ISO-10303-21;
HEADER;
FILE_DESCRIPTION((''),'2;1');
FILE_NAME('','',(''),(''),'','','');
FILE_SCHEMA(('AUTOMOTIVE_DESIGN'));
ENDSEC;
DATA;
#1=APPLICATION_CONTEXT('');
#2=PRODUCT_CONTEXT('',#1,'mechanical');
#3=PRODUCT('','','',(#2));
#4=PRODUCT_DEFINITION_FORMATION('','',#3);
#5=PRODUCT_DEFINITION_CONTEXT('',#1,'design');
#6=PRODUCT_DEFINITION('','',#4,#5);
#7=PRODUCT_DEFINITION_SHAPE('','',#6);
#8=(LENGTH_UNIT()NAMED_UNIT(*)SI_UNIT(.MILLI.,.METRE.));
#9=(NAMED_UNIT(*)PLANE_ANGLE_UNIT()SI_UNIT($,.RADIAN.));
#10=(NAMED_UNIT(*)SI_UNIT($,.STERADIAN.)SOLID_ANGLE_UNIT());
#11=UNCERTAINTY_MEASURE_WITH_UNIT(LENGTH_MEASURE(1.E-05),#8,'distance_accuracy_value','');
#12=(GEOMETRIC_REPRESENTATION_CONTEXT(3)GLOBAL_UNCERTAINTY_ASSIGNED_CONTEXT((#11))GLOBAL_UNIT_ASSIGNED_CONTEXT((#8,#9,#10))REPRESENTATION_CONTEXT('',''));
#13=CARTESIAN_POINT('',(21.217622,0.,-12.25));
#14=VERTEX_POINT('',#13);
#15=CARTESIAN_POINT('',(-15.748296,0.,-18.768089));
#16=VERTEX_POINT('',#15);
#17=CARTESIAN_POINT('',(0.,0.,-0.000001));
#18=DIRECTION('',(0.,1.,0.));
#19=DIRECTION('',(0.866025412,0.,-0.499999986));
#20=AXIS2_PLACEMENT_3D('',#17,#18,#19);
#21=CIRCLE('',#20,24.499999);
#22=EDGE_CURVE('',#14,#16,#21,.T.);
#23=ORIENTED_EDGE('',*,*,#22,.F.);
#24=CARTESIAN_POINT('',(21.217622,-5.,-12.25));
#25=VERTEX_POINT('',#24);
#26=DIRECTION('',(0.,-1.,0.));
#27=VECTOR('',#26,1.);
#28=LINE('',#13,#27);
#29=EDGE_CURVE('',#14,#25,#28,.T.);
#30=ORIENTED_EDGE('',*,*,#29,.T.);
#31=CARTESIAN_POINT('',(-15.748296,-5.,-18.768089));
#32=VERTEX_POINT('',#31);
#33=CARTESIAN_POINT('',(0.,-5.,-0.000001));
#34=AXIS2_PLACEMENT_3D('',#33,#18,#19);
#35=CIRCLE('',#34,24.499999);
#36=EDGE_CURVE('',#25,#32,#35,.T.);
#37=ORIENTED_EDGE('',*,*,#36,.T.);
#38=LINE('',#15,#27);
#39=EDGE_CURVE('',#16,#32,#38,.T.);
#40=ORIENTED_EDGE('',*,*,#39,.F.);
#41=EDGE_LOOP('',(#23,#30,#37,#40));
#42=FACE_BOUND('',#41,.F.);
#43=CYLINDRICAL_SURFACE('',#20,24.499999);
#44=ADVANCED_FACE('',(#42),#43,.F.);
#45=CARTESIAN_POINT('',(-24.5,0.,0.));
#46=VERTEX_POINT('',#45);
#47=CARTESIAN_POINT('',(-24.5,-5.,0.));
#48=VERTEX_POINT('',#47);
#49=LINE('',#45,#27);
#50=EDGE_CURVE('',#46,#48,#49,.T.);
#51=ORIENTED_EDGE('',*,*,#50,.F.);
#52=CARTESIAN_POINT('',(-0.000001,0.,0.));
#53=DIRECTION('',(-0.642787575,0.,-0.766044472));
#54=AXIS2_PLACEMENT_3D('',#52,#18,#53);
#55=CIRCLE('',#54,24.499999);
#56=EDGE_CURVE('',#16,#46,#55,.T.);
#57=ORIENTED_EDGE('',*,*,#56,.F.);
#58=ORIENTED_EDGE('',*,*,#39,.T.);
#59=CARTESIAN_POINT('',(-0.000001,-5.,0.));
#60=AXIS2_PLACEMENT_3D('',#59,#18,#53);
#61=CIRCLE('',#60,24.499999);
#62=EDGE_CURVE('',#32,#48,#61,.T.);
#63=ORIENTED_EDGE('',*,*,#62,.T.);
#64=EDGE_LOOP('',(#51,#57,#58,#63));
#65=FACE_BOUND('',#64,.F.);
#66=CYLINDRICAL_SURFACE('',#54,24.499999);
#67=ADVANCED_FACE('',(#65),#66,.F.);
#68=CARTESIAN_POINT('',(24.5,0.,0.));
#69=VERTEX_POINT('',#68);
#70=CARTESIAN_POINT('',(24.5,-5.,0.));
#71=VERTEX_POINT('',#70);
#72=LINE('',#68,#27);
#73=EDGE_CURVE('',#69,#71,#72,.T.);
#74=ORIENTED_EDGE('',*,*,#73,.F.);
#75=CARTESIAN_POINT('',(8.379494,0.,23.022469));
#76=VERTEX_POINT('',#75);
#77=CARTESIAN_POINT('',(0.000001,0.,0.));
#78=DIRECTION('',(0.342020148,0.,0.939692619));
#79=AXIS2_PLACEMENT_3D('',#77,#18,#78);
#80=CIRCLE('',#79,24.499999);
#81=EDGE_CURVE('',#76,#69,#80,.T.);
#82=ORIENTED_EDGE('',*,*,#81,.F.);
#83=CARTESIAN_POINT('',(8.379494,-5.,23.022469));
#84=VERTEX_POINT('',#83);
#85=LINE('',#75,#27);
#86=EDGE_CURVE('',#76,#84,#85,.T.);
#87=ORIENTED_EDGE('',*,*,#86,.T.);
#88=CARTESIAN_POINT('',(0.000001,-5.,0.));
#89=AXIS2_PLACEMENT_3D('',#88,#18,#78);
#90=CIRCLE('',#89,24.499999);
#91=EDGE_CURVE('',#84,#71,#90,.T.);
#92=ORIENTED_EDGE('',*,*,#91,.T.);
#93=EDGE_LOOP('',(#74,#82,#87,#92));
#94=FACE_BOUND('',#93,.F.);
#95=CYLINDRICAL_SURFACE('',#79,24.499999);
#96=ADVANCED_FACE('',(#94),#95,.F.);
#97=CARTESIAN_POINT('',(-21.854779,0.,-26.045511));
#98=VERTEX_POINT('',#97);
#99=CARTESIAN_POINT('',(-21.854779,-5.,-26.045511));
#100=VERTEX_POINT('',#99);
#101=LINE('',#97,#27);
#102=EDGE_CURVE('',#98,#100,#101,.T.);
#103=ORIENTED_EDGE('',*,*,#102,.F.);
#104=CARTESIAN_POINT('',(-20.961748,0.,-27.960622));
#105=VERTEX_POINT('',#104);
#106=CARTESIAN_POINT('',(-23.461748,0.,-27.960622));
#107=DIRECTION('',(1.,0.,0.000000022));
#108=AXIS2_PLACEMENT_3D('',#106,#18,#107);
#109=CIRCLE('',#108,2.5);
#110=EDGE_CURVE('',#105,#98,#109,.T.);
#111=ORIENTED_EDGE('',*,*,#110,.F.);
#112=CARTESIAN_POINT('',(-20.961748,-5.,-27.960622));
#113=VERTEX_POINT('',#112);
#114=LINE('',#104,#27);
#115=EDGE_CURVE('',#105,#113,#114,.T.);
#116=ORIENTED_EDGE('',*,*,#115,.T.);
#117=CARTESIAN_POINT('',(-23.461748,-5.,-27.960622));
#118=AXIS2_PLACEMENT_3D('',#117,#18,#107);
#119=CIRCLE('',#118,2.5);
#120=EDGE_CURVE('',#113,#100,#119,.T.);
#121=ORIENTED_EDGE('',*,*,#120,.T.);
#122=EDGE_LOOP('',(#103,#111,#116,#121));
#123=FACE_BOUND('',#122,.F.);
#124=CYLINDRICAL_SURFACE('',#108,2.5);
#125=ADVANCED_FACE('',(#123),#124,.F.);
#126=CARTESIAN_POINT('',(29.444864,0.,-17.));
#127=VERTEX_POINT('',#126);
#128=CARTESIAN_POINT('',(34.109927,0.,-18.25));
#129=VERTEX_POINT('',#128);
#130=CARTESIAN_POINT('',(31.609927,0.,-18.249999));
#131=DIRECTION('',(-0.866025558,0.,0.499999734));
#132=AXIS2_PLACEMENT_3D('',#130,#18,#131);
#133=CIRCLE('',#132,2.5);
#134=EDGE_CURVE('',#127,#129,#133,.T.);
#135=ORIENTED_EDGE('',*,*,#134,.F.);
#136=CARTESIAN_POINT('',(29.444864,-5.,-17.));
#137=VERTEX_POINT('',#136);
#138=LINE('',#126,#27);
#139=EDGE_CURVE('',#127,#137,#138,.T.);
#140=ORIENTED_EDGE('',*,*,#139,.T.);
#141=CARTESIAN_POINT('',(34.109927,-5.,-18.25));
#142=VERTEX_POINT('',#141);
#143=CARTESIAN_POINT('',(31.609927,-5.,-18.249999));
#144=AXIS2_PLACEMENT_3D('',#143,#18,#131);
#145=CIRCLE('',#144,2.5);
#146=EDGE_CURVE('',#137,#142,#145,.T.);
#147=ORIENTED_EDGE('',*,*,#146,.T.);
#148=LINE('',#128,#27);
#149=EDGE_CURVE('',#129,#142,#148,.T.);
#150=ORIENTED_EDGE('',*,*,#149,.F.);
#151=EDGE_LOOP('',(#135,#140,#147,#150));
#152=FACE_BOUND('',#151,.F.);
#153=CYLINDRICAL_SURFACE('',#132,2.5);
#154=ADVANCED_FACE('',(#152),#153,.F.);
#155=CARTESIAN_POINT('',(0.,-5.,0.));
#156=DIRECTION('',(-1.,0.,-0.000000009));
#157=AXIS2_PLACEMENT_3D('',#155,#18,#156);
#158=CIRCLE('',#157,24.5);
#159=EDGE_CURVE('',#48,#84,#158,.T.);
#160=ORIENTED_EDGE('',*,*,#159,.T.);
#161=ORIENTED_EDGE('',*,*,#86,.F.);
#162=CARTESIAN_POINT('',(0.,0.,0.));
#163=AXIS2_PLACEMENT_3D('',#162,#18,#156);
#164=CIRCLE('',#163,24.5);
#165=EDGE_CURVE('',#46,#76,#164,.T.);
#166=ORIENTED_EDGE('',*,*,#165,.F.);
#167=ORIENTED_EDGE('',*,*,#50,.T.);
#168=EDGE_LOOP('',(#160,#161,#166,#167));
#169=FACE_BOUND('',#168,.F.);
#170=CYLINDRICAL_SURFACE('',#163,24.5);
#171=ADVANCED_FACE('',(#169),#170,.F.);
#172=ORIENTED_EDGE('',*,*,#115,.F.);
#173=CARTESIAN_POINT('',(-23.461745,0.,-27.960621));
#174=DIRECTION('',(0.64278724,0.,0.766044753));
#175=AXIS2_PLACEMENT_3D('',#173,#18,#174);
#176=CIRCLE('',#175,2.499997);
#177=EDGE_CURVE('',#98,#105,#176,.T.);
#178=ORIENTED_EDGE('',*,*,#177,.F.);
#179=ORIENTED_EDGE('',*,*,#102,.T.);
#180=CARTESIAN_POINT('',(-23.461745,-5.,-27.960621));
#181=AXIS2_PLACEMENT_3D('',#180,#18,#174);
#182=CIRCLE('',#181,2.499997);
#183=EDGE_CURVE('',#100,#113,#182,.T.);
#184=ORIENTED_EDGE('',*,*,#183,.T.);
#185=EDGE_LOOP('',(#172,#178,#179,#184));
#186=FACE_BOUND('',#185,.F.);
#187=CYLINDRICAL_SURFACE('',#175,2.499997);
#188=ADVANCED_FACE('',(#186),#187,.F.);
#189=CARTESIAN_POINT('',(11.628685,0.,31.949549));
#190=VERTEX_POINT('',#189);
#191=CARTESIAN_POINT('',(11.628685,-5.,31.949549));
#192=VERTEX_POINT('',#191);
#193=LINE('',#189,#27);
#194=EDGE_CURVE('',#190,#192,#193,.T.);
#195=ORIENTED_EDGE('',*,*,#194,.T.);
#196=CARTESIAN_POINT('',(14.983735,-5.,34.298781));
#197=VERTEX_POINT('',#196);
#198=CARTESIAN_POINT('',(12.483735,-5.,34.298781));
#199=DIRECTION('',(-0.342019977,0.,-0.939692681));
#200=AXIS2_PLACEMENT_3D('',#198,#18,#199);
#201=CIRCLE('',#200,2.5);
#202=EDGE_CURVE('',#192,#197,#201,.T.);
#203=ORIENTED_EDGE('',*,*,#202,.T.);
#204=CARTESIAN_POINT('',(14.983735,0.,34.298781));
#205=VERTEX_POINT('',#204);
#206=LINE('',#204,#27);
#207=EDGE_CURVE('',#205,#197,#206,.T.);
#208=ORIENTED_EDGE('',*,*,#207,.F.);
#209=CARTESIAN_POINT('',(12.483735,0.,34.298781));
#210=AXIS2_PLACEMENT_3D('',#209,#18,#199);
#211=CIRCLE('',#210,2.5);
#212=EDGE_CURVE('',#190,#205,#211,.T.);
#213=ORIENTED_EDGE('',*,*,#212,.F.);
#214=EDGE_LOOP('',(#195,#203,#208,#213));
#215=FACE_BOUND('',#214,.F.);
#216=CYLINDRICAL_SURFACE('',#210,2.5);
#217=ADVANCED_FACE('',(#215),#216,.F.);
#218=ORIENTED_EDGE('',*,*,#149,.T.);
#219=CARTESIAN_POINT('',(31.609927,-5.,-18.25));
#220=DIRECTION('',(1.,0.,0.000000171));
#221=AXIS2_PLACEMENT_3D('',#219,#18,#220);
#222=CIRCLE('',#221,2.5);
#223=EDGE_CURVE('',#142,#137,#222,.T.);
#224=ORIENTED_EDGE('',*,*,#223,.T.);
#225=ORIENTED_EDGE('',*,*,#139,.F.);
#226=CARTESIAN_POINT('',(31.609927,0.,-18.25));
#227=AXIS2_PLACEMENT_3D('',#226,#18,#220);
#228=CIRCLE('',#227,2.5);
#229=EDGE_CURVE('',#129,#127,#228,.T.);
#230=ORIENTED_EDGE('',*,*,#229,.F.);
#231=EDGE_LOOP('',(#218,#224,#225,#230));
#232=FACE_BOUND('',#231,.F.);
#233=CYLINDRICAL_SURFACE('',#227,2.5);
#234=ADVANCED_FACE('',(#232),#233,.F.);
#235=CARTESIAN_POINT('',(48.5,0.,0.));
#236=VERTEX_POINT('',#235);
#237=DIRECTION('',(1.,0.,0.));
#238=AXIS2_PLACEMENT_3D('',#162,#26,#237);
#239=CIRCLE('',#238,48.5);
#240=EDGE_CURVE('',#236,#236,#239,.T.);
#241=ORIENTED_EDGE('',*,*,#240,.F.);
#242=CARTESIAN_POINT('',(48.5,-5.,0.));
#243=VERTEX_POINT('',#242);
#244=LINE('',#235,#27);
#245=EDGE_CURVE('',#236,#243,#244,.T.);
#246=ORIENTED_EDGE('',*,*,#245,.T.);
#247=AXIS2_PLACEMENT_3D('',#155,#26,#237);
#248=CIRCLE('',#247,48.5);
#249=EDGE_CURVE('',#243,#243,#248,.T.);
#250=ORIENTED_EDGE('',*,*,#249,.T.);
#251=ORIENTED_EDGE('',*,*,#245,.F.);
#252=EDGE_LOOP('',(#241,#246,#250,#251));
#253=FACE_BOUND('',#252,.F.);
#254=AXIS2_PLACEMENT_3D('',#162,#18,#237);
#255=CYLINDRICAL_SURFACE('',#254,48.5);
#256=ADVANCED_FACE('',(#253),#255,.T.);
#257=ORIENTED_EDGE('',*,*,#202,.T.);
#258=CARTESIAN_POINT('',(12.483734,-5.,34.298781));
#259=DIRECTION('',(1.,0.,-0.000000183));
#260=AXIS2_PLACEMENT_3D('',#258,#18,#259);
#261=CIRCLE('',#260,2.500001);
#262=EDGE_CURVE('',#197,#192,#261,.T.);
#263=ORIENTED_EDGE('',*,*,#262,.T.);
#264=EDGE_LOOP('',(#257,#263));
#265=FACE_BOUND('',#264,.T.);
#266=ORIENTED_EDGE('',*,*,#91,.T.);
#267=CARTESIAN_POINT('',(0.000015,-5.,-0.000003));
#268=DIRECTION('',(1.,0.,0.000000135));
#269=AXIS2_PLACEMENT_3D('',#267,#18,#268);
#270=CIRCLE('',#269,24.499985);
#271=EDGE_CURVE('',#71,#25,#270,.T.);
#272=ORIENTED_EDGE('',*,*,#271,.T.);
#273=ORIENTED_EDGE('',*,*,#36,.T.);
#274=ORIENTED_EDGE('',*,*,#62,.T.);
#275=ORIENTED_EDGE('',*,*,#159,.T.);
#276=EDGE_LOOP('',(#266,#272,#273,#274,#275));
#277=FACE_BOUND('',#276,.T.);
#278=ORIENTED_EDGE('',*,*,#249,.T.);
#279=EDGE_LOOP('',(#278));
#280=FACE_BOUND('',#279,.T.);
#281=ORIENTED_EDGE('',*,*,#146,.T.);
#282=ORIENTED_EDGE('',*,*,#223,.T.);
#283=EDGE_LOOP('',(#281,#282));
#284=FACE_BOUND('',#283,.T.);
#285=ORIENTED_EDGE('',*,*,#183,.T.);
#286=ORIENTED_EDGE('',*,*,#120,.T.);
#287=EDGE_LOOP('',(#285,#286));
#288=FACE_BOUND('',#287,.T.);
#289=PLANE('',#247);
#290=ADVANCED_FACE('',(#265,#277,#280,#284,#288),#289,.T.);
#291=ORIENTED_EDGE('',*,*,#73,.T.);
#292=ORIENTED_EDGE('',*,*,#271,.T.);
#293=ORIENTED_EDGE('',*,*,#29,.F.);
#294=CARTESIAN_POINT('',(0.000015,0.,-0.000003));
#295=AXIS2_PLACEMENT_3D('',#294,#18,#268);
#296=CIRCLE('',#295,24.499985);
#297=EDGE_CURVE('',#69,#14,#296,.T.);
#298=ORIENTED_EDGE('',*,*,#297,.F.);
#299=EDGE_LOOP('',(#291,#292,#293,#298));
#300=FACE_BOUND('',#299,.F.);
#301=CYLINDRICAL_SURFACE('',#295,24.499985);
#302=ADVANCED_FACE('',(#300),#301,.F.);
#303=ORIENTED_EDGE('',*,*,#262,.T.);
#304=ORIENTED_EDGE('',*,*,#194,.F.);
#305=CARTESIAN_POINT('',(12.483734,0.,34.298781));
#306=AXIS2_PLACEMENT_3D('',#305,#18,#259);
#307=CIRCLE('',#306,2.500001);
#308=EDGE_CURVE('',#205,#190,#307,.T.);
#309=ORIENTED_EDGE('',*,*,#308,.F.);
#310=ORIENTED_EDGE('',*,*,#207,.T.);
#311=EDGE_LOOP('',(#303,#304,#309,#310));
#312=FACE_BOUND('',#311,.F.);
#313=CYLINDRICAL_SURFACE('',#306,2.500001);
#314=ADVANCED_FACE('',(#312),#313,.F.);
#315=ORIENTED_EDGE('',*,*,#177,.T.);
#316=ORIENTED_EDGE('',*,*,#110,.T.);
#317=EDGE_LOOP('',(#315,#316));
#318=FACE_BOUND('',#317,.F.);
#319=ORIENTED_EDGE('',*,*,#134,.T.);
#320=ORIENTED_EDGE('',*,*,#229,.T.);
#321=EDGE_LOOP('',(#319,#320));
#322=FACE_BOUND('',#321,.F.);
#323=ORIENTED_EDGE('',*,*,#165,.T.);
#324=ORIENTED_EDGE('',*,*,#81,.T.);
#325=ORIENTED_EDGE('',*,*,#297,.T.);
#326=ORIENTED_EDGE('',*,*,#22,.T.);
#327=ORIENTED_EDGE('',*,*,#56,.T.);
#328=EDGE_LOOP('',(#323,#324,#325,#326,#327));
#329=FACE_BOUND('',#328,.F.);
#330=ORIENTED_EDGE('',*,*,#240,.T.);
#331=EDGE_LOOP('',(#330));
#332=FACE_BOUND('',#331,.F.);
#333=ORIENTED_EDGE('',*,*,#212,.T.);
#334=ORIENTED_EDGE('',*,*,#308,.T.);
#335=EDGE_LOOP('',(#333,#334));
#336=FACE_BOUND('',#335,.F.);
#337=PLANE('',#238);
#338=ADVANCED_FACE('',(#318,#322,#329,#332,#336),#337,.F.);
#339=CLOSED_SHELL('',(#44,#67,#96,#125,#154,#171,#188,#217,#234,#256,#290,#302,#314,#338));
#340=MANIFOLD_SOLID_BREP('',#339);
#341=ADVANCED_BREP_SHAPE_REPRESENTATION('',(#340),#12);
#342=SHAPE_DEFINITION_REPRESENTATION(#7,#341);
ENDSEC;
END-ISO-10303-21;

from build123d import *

# Parameters (mm, degrees)
F0_R     = 48.5
F1_DEPTH = 5


with BuildPart() as f1:
    # F0 (on Front) → F1 (new body)
    with BuildSketch(Plane.XZ):
        Circle(F0_R)
        with BuildLine():
            ThreePointArc((-20.961748, -27.960622), (-25.727517, -29.017168), (-21.854779, -26.045511))
            ThreePointArc((-21.854779, -26.045511), (-21.195978, -26.904077), (-20.961748, -27.960622))
        make_face(mode=Mode.SUBTRACT)
        with BuildLine():
            ThreePointArc((34.109927, -18.25), (30.96288, -20.664815), (29.444864, -17))
            ThreePointArc((29.444864, -17), (32.256975, -15.835185), (34.109927, -18.25))
        make_face(mode=Mode.SUBTRACT)
        with BuildLine():
            ThreePointArc((-15.748296, -18.768089), (-22.204541, -10.354147), (-24.5, 0))
            ThreePointArc((-24.5, 0), (-14.052623, 20.069225), (8.379494, 23.022469))
            ThreePointArc((8.379494, 23.022469), (20.069225, 14.052623), (24.5, 0))
            ThreePointArc((24.5, 0), (23.665183, -6.341067), (21.217622, -12.25))
            ThreePointArc((21.217622, -12.25), (4.25438, -24.12779), (-15.748296, -18.768089))
        make_face(mode=Mode.SUBTRACT)
        with BuildLine():
            ThreePointArc((14.983735, 34.298781), (13.917676, 32.250901), (11.628685, 31.949549))
            ThreePointArc((11.628685, 31.949549), (11.049794, 36.346661), (14.983735, 34.298781))
        make_face(mode=Mode.SUBTRACT)
    extrude(amount=F1_DEPTH)


solid = f1.part
